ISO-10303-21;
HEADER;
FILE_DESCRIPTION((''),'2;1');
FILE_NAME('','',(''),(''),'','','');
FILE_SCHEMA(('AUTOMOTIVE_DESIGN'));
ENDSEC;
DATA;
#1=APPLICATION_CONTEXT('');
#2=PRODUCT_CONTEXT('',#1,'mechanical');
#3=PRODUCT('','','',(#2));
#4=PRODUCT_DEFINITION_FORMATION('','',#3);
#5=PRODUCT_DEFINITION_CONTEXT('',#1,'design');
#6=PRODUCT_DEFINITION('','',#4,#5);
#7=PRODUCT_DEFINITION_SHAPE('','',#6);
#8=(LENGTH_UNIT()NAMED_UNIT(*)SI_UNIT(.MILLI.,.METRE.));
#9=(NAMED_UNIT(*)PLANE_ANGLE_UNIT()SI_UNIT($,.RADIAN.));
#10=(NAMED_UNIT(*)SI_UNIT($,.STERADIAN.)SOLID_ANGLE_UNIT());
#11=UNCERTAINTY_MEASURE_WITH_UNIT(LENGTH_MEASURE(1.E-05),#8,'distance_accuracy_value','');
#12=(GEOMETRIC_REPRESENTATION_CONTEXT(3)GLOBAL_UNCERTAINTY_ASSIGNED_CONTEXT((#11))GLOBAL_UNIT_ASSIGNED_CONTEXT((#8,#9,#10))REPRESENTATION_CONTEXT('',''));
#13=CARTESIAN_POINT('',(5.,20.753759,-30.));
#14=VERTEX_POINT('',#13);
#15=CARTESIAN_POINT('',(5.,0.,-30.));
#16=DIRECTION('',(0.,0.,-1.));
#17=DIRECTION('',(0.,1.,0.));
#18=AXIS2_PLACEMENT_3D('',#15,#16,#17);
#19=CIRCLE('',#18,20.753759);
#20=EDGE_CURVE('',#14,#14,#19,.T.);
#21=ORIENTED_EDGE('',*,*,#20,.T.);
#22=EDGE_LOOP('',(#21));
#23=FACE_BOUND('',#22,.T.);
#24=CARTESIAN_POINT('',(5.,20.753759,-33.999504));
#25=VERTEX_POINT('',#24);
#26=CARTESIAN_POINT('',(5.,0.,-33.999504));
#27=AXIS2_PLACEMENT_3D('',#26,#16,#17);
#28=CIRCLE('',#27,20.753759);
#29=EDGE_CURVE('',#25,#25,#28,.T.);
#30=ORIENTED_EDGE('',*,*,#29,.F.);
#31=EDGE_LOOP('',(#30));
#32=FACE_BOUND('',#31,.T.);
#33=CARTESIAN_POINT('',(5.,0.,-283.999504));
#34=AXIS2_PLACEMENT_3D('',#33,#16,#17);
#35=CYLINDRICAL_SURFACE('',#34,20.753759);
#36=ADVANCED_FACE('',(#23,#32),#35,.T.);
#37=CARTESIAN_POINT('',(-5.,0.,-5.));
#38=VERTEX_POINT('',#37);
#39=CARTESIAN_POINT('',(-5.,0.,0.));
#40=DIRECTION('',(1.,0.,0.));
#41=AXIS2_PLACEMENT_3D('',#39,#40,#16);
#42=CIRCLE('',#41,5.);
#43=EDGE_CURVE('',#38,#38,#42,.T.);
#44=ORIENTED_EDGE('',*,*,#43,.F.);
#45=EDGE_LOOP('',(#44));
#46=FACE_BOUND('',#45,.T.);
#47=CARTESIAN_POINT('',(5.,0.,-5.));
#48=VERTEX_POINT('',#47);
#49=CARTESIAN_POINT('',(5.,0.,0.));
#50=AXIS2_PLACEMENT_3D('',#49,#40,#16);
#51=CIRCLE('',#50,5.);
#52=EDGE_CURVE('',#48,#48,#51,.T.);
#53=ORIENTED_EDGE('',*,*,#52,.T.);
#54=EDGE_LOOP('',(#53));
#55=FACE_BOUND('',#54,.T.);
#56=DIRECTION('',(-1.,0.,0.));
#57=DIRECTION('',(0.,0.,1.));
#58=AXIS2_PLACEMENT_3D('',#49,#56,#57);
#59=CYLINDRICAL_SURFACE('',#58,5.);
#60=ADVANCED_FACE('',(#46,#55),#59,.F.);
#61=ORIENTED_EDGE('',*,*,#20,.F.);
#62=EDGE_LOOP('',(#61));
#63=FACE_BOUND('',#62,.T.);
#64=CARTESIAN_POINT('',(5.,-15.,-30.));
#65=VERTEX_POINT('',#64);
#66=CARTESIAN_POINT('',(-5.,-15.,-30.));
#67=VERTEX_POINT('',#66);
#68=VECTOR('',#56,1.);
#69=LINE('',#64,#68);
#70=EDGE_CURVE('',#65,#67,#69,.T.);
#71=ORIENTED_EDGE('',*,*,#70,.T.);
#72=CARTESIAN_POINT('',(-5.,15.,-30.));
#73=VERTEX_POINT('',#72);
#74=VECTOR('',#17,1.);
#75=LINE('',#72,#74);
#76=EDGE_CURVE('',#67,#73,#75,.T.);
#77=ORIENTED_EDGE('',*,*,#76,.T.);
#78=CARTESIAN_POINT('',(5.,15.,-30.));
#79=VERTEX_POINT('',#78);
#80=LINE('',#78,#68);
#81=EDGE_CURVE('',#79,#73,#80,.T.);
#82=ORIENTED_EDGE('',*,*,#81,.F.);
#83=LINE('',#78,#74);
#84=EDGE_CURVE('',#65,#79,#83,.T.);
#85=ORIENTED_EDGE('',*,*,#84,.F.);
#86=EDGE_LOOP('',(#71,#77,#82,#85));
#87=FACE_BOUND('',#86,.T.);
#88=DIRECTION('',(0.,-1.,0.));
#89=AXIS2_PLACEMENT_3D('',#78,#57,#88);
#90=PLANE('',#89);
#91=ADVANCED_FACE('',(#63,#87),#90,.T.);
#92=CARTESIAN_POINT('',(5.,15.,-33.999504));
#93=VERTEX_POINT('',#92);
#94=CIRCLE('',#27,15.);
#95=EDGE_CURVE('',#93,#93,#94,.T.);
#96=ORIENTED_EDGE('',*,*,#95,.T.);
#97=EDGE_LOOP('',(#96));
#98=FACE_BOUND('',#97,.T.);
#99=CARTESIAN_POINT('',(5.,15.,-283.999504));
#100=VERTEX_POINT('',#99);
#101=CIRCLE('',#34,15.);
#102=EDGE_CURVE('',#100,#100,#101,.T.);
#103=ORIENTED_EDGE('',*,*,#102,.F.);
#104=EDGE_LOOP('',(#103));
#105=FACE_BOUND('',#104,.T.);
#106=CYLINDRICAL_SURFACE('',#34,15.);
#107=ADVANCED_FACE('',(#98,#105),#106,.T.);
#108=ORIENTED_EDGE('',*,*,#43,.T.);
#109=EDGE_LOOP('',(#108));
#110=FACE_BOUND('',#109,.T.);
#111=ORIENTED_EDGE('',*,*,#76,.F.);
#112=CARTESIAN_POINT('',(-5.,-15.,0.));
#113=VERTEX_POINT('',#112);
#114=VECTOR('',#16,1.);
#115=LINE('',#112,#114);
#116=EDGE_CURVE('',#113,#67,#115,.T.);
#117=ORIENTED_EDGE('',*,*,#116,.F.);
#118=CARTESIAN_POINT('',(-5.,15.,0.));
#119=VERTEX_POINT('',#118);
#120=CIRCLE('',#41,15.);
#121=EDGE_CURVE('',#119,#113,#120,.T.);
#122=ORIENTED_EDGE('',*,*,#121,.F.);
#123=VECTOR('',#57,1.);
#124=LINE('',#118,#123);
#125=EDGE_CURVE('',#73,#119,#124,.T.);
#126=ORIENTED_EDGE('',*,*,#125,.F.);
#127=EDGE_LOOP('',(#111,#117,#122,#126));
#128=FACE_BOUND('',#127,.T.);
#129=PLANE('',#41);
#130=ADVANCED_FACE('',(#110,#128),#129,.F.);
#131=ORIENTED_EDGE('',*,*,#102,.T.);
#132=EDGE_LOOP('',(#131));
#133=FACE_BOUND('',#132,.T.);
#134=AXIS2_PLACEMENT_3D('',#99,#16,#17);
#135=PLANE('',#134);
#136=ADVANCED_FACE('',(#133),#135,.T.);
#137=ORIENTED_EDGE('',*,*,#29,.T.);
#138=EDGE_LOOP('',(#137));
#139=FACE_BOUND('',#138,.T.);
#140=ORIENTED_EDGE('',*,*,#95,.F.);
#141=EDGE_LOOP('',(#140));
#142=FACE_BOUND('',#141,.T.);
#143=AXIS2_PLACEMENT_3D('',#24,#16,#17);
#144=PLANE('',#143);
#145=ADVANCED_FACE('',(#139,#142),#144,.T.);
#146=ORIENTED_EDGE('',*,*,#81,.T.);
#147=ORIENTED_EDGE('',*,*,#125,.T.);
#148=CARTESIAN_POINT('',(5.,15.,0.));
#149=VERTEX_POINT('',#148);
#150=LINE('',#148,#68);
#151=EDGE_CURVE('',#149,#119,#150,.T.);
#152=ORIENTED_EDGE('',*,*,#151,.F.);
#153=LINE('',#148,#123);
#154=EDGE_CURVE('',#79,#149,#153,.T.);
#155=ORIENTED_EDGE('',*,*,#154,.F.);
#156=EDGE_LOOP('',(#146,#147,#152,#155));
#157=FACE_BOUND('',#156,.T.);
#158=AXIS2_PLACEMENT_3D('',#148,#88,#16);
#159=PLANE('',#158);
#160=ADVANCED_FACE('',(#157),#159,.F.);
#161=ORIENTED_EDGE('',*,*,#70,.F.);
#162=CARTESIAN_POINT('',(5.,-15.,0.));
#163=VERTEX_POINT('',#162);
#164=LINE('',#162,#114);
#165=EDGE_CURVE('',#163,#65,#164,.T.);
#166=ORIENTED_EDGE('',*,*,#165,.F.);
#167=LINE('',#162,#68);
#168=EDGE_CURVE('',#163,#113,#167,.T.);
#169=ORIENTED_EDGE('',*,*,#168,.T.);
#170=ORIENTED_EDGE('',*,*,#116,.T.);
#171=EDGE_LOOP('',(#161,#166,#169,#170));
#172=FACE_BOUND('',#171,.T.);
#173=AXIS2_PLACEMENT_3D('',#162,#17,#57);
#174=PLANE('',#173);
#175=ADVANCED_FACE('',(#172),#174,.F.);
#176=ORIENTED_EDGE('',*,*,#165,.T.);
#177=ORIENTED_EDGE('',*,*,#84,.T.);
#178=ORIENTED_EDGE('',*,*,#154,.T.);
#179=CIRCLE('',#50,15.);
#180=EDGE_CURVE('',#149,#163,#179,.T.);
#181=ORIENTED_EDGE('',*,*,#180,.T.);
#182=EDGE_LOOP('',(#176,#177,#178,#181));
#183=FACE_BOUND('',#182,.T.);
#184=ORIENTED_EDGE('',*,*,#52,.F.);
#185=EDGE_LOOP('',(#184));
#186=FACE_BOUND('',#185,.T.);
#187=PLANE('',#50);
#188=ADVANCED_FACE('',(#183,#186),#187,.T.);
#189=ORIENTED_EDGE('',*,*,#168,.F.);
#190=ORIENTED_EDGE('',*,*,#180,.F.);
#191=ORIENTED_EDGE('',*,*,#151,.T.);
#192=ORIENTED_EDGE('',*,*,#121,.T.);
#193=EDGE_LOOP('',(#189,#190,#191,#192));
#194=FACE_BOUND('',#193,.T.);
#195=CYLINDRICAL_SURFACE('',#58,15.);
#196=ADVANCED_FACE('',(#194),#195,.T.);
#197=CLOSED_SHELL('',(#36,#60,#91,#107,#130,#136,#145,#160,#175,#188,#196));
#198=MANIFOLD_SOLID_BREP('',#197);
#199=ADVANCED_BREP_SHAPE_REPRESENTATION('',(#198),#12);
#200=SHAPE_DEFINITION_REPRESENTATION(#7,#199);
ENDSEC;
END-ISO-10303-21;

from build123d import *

# Parameters (mm, degrees)
SKETCH1_R           = 5
BOSS_EXTRUDE1_DEPTH = 5


with BuildPart() as part:
    # Sketch1 → Boss-Extrude1 (new body, symmetric)
    with BuildSketch(Plane(origin=(0, 0, 0), x_dir=(0, 0, -1), z_dir=(1, 0, 0))):
        with BuildLine():
            Line((0, 15), (30, 15))
            Line((30, 15), (30, -15))
            Line((30, -15), (0, -15))
            ThreePointArc((0, -15), (-15, 0), (0, 15))
        make_face()
        Circle(SKETCH1_R, mode=Mode.SUBTRACT)
    extrude(amount=BOSS_EXTRUDE1_DEPTH, both=True)

    # Sketch3 → Revolve1 (revolve)
    with BuildSketch(Plane(origin=(5, 0, 0), x_dir=(0, 0, -1), z_dir=(1, 0, 0))):
        Polygon((30, 15), (30, 20.753758682), (33.999504278, 20.753758682), (33.999504278, 15), (283.999504278, 15), (283.999504278, 0), (30, 0), align=None)
    revolve(axis=Axis((5, 0, -283.999504278), (0, 0, 1)))


solid = part.part
